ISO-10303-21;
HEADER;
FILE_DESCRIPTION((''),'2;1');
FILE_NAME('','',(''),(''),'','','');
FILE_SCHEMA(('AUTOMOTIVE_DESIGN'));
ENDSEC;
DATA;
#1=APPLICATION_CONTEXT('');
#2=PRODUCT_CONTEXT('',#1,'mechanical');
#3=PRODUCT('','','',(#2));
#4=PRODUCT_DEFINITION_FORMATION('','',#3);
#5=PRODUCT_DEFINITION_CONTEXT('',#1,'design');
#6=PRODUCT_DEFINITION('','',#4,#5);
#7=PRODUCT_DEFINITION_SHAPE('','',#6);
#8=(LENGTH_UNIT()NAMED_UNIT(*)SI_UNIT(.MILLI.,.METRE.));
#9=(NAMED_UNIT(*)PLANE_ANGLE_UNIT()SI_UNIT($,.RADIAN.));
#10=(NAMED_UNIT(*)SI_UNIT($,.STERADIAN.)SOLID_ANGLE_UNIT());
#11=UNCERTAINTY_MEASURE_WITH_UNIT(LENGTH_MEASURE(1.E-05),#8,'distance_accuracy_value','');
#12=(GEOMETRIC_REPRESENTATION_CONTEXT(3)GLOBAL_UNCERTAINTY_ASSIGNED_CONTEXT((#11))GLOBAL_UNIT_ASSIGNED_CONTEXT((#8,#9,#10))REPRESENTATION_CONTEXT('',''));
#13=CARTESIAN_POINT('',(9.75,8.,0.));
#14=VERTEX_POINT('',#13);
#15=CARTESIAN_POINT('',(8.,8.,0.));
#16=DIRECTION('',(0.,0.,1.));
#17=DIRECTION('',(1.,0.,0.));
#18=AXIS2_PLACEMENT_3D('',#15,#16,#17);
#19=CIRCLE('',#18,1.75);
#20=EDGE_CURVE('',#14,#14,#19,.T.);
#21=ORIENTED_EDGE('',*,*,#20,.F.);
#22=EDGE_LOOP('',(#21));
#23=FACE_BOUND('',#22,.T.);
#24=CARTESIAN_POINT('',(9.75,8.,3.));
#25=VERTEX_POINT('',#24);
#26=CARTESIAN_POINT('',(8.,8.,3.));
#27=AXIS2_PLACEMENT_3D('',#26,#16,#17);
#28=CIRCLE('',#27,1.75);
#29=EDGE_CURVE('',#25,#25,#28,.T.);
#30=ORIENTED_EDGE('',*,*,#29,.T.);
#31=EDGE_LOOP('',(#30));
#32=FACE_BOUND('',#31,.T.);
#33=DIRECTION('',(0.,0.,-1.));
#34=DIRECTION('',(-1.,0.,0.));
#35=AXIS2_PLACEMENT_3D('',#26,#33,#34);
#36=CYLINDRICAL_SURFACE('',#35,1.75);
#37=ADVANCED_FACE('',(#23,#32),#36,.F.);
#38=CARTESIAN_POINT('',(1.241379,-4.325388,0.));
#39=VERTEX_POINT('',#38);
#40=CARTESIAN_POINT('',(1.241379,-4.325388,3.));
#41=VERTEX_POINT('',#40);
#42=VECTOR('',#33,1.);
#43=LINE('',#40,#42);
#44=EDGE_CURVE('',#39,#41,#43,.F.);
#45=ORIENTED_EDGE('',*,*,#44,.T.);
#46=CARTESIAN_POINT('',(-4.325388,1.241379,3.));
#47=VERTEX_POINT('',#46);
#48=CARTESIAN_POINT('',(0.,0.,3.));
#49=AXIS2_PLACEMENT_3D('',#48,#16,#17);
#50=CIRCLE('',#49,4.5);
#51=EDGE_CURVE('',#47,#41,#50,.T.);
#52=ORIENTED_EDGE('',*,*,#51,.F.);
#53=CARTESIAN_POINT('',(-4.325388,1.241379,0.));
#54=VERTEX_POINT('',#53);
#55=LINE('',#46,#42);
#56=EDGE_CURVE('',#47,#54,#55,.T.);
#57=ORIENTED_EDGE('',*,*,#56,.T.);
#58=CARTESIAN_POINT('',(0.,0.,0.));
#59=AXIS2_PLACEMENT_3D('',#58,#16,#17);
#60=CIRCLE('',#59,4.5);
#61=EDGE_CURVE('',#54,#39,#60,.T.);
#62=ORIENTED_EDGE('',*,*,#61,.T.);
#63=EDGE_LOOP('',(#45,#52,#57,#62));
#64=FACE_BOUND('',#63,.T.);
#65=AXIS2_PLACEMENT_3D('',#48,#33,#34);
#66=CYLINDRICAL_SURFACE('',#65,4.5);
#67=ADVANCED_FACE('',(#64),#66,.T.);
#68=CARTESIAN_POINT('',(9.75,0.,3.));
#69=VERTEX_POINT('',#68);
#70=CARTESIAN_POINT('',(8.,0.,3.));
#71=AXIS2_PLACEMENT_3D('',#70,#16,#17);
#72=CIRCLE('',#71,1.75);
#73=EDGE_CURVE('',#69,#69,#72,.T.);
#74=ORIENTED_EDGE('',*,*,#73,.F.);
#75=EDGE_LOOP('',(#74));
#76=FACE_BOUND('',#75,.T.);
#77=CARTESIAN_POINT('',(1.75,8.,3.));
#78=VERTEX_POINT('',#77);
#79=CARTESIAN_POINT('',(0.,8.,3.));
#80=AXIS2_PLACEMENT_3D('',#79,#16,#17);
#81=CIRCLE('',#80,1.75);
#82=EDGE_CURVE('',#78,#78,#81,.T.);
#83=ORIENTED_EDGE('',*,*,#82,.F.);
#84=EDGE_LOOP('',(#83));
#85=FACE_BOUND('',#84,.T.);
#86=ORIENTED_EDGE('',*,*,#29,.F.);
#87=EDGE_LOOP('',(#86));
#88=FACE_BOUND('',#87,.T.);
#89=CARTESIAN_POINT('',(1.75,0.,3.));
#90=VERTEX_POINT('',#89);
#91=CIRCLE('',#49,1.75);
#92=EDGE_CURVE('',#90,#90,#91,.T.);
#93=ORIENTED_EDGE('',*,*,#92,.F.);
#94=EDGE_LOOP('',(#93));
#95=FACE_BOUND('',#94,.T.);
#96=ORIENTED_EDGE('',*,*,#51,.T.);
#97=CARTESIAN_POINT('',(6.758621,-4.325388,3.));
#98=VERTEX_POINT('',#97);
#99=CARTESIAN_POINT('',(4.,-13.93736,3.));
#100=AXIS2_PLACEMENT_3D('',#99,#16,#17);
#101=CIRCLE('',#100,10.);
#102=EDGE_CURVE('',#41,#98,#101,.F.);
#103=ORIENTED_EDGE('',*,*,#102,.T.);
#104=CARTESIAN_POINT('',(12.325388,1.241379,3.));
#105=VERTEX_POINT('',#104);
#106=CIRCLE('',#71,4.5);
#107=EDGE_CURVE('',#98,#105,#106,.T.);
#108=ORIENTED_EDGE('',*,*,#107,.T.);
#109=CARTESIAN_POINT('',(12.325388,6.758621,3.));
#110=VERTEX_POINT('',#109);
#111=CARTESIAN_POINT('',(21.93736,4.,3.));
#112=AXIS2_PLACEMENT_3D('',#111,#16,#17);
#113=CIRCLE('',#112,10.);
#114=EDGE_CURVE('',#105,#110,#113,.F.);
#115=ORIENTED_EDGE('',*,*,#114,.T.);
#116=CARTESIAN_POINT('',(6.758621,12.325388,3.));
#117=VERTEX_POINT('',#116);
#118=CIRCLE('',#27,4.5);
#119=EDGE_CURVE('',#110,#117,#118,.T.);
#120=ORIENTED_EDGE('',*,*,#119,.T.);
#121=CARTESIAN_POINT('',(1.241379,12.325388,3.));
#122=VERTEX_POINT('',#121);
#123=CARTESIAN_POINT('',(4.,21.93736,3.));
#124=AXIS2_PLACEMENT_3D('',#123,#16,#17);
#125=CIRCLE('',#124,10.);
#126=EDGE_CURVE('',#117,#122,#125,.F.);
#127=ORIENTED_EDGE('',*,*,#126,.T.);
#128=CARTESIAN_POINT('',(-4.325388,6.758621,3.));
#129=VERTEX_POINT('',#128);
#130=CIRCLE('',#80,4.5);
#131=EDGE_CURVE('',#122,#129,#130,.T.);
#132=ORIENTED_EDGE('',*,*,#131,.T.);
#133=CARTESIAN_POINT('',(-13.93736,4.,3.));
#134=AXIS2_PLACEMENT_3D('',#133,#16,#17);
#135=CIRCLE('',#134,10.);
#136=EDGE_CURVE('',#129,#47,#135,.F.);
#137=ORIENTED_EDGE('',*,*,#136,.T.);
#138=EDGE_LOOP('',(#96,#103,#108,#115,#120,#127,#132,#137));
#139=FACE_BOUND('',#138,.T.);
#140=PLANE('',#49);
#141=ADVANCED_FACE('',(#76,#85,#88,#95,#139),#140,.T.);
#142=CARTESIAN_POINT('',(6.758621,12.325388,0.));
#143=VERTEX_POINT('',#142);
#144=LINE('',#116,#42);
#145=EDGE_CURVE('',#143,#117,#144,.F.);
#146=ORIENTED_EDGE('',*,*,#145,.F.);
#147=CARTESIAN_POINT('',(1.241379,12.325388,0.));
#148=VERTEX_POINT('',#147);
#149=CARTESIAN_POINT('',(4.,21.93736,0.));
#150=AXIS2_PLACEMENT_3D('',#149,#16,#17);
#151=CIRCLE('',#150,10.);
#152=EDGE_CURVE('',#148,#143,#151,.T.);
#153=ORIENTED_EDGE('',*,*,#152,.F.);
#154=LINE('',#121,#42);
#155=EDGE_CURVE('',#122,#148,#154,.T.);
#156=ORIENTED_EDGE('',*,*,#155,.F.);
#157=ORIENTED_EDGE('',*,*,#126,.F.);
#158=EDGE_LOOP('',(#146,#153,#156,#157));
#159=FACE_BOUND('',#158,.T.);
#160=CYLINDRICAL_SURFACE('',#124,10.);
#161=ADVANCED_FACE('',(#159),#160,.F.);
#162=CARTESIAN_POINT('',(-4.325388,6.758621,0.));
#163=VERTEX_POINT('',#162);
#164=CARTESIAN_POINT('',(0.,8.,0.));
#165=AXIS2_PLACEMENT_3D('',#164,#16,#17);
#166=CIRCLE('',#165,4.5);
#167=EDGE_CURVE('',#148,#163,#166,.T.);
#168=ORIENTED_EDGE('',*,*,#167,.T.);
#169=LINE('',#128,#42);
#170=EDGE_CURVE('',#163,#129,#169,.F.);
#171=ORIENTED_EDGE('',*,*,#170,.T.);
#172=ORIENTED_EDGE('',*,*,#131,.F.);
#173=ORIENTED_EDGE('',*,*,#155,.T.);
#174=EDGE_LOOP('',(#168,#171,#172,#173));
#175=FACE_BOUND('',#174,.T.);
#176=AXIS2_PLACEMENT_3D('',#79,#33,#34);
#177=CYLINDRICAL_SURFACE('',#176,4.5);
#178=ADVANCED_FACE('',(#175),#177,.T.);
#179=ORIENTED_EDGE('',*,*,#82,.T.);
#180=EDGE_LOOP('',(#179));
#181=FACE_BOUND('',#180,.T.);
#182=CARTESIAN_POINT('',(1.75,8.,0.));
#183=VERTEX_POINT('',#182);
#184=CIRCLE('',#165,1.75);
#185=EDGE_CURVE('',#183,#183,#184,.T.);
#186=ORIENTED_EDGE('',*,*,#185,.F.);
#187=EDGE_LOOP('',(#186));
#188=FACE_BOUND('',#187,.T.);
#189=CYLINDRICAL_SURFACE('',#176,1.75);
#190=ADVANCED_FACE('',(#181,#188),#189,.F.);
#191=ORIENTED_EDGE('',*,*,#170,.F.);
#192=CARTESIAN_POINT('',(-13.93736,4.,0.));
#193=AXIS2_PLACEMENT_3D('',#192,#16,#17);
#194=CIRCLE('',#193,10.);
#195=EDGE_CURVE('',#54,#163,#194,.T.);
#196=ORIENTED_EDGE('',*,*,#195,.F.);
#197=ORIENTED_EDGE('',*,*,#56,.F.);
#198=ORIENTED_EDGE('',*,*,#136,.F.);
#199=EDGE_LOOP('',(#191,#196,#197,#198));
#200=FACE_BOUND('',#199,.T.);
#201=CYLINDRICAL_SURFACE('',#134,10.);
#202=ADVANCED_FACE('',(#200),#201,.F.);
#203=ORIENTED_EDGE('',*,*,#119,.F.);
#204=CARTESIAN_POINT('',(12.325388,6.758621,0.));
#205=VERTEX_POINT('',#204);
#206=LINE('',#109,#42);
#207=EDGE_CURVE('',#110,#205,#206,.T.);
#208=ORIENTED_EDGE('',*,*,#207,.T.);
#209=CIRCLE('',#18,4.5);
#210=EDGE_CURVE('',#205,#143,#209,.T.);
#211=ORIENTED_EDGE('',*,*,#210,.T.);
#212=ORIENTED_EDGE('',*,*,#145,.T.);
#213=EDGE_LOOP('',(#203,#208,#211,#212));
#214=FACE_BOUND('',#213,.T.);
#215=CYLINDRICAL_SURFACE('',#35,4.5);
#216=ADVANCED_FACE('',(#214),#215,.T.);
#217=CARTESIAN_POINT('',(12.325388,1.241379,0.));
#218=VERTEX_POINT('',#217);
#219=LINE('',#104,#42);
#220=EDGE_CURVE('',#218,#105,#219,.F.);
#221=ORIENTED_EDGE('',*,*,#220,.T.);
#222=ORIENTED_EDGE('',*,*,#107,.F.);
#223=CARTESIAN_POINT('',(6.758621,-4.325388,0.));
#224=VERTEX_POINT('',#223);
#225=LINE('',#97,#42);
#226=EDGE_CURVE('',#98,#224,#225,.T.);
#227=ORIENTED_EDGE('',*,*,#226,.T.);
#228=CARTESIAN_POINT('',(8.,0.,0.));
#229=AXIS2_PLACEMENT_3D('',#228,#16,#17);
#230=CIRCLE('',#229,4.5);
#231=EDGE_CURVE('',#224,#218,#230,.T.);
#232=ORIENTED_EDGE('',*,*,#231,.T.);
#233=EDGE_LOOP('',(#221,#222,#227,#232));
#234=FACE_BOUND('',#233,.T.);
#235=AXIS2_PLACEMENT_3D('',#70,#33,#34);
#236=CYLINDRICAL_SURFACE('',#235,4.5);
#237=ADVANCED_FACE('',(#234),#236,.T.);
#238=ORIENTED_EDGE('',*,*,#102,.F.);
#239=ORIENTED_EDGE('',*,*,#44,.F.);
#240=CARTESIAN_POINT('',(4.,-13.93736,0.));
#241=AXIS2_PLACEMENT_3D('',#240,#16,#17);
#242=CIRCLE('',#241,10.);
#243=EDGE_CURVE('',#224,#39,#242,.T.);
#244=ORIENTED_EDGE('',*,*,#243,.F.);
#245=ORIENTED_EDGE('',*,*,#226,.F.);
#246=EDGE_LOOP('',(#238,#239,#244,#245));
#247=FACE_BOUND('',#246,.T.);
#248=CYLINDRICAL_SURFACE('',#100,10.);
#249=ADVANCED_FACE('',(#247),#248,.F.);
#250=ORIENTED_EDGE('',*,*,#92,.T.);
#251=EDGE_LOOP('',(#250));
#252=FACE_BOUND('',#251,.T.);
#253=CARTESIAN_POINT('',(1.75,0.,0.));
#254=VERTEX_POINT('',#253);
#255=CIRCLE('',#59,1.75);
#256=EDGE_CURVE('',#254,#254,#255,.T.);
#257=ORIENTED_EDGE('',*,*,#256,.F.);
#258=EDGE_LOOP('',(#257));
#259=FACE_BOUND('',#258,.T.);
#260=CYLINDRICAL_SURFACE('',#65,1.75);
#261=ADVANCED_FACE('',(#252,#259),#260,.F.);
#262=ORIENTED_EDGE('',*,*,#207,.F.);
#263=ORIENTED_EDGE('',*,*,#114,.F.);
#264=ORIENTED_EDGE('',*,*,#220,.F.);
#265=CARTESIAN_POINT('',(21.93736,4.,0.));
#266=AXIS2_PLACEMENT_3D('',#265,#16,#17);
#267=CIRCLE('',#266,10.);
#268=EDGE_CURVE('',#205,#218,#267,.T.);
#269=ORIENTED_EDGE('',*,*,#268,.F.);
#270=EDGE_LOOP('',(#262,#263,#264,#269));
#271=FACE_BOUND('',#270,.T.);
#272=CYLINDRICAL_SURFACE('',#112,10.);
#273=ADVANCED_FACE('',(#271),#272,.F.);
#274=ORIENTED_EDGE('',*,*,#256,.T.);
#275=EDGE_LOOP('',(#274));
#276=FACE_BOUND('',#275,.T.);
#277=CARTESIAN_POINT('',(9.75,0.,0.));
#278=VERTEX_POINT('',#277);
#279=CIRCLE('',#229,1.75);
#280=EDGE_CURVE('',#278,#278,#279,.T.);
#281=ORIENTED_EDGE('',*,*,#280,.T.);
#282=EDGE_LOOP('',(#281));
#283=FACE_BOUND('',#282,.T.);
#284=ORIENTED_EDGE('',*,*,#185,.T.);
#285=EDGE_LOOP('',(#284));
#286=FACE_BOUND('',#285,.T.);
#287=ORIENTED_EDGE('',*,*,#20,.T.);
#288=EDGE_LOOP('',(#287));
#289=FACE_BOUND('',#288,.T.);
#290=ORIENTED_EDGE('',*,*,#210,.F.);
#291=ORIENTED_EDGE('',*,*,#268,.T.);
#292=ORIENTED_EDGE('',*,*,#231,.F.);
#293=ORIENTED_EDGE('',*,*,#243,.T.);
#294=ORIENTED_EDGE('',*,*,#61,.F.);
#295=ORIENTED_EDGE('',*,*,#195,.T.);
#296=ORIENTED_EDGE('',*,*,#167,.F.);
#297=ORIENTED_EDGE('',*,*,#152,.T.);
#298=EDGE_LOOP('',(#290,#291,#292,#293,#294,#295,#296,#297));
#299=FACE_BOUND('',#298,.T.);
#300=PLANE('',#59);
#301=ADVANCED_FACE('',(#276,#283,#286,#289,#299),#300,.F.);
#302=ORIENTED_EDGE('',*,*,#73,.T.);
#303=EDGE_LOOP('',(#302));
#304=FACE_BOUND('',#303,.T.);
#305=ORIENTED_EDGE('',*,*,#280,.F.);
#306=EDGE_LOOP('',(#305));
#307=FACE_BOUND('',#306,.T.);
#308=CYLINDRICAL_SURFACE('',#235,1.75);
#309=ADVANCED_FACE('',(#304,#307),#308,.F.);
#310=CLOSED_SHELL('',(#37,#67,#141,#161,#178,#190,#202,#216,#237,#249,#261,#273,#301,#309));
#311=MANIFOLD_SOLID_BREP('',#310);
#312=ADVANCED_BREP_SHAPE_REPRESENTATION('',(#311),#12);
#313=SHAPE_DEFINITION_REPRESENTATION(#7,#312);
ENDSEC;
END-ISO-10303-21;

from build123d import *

# Parameters (mm, degrees)
SKETCH_1_R      = 1.75
EXTRUDE_1_DEPTH = 3
FILLET_1_R      = 10


with BuildPart() as part:
    # Эскиз1 → Бобышка-Вытянуть1 (new body)
    with BuildSketch(Plane.XY):
        with BuildLine():
            ThreePointArc((10.061552813, 4), (11.181980515, 11.181980515), (4, 10.061552813))
            ThreePointArc((4, 10.061552813), (-3.181980515, 11.181980515), (-2.061552813, 4))
            ThreePointArc((-2.061552813, 4), (-3.181980515, -3.181980515), (4, -2.061552813))
            ThreePointArc((4, -2.061552813), (11.181980515, -3.181980515), (10.061552813, 4))
        make_face()
        Circle(SKETCH_1_R, mode=Mode.SUBTRACT)
        with Locations((8, 0)):
            Circle(SKETCH_1_R, mode=Mode.SUBTRACT)
        with Locations((0, 8)):
            Circle(SKETCH_1_R, mode=Mode.SUBTRACT)
        with Locations((8, 8)):
            Circle(SKETCH_1_R, mode=Mode.SUBTRACT)
    extrude(amount=EXTRUDE_1_DEPTH)

    # Скругление1
    fillet_1_edges = [part.edges().sort_by_distance(p)[0] for p in [
        (10.061552813, 4, 1.5),
        (4, -2.061552813, 1.5),
        (-2.061552813, 4, 1.5),
        (4, 10.061552813, 1.5),
    ]]
    fillet(fillet_1_edges, radius=FILLET_1_R)


solid = part.part
